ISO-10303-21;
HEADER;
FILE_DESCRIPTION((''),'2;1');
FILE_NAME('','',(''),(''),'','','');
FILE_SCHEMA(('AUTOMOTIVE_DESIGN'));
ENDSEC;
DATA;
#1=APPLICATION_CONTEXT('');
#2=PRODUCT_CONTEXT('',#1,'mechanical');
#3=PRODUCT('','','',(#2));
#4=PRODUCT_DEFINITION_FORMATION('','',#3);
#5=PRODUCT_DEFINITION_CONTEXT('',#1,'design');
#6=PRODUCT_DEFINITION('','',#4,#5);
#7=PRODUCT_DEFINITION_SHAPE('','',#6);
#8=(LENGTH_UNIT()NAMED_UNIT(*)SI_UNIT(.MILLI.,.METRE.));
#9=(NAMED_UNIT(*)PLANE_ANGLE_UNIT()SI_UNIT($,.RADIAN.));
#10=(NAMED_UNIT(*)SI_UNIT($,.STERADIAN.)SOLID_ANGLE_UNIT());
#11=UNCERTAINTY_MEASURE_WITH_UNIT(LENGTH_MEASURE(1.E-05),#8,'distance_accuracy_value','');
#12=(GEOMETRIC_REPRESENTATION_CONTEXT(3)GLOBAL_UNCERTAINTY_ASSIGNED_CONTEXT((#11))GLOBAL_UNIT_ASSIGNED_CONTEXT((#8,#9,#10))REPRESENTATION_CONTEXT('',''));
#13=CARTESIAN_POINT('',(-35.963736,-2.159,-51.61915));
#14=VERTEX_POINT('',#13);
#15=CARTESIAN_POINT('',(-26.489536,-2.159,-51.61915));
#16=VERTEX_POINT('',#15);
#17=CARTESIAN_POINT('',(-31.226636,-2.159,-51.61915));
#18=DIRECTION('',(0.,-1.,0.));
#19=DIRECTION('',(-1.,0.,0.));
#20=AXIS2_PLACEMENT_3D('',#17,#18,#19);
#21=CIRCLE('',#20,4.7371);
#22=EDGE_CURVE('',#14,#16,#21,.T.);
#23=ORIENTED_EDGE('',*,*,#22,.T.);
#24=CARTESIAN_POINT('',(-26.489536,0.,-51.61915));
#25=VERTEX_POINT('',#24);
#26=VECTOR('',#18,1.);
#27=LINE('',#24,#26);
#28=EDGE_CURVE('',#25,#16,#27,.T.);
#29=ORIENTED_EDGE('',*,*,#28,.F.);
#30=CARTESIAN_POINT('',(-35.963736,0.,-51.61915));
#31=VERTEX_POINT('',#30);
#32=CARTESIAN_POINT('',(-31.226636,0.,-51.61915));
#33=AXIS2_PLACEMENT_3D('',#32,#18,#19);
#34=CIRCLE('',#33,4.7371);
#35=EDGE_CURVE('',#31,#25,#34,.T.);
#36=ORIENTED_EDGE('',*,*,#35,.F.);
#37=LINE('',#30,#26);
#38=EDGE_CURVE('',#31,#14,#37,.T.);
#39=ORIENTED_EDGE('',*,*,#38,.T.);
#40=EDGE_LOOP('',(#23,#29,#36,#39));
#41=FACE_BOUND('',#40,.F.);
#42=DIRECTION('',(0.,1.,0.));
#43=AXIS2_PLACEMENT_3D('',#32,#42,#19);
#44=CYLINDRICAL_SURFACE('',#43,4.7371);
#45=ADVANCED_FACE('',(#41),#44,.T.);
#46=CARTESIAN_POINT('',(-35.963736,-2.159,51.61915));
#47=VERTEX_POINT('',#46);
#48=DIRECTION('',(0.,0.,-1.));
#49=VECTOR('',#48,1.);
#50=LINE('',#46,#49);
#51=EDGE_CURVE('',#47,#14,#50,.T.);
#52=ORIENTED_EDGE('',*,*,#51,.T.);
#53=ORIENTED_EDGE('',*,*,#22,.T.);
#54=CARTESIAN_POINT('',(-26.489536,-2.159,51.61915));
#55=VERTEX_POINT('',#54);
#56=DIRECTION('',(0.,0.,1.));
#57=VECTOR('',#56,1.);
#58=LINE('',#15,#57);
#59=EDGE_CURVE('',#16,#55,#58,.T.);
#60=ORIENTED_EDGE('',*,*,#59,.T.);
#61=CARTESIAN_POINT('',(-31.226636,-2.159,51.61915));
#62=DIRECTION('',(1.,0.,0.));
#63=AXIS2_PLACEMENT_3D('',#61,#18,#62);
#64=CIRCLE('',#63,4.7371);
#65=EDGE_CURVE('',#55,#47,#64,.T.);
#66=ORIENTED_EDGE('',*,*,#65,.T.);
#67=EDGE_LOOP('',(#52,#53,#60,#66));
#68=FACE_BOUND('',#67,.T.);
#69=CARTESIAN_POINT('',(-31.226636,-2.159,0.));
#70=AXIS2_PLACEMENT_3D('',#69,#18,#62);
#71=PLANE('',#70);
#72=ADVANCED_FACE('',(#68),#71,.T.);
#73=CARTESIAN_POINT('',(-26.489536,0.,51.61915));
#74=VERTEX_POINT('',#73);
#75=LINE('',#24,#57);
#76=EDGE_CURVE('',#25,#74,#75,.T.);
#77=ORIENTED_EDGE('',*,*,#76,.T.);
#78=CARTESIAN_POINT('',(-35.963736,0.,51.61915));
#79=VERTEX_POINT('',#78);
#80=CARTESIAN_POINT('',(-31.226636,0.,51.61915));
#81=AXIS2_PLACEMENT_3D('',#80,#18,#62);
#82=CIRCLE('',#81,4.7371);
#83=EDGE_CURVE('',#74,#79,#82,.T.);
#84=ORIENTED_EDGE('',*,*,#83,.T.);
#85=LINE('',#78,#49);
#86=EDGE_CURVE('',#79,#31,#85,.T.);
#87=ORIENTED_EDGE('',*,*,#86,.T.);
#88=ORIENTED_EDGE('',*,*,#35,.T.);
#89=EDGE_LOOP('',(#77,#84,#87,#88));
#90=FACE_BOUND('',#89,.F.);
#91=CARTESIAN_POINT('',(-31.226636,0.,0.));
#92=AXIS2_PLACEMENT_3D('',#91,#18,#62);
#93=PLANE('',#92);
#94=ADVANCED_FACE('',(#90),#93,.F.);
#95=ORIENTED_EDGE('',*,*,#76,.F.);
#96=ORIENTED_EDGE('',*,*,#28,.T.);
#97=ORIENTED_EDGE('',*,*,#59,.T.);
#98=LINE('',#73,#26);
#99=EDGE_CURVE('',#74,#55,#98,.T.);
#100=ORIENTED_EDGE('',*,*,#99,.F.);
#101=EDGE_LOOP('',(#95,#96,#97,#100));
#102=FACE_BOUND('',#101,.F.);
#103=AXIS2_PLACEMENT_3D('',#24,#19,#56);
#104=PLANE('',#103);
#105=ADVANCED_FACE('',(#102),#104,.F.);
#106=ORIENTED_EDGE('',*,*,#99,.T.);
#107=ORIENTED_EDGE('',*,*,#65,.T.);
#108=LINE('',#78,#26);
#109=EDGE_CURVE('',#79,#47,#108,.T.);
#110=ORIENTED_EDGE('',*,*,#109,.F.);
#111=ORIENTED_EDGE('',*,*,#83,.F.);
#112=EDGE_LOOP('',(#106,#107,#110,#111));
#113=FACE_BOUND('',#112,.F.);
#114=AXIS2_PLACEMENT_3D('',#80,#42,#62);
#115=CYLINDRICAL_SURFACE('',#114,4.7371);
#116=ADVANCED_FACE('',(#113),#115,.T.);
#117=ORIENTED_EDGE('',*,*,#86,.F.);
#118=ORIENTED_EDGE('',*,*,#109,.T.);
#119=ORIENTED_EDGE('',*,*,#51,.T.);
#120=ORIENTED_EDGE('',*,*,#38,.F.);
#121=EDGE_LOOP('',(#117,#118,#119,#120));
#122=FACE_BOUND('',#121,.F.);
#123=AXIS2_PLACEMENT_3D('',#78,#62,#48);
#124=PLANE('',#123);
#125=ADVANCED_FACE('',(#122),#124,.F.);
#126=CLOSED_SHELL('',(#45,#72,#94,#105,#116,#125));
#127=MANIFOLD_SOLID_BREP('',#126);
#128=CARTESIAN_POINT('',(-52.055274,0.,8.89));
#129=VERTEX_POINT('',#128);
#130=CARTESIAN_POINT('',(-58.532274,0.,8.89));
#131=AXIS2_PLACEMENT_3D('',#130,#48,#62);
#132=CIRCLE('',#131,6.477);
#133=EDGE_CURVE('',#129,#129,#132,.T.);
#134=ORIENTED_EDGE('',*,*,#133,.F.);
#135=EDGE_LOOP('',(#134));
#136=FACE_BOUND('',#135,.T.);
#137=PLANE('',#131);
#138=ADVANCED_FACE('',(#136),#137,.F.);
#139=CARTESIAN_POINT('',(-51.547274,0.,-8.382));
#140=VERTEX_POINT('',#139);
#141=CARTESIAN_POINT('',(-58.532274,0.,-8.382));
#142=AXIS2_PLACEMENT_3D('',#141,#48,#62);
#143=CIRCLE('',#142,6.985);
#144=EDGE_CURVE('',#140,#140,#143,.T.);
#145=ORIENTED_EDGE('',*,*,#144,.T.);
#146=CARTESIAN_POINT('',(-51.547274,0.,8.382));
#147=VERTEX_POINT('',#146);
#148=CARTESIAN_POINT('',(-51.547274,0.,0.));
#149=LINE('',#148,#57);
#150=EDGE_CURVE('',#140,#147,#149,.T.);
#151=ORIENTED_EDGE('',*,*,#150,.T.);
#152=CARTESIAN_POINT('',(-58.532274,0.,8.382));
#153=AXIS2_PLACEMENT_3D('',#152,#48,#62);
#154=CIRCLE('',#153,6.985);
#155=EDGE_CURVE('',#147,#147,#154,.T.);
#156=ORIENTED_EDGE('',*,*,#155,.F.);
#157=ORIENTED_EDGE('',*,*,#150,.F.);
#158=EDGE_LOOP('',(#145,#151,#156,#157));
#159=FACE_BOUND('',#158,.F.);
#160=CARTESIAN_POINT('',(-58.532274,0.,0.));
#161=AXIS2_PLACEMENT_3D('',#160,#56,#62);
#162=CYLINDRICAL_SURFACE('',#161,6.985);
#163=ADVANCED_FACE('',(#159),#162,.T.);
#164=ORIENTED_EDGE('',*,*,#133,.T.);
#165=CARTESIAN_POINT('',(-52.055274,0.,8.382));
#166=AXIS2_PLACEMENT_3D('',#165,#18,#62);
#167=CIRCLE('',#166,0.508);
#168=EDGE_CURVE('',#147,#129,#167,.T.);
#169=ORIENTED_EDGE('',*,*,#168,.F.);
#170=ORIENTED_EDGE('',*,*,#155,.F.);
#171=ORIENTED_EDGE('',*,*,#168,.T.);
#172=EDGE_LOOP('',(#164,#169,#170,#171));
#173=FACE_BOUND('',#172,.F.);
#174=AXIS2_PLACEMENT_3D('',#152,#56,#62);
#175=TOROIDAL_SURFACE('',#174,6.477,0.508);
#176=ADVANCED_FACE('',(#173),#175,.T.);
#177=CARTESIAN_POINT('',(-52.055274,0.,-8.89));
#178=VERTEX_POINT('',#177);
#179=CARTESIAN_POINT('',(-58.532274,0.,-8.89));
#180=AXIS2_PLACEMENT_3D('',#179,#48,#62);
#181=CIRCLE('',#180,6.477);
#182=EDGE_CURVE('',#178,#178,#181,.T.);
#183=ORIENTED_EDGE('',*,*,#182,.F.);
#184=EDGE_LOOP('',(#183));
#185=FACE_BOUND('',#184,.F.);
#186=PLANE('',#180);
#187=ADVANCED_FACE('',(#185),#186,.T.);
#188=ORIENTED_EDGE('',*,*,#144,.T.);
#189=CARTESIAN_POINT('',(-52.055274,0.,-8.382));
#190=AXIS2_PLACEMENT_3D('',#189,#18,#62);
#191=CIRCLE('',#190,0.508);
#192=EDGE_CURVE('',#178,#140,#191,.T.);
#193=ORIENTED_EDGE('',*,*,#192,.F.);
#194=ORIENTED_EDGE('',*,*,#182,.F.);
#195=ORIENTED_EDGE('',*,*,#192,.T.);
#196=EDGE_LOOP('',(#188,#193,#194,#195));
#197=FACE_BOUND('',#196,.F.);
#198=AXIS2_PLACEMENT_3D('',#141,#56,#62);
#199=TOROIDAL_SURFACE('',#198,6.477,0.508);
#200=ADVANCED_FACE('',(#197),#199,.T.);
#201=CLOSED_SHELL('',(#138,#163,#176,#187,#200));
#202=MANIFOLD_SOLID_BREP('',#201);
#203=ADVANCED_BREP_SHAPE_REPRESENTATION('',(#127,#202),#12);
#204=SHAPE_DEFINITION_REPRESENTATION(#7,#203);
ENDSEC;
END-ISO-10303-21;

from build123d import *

# Parameters (mm, degrees)
F0_W     = 6.985
F0_H     = 17.78
F2_R     = 0.508
F4_DEPTH = 2.159


with BuildPart() as f1:
    # F0 (on Front) → F1 (revolve)
    with BuildSketch(Plane.XZ):
        with Locations((-55.0397741815, 0)):
            Rectangle(F0_W, F0_H)
    revolve(axis=Axis((-58.5322741815, 0, 0), (0, 0, -1)))

    # F2
    f2_edges = [f1.edges().sort_by_distance(p)[0] for p in [
        (-65.517274, 0, 8.89),
        (-65.517274, 0, -8.89),
        (-51.547274, 0, 0),
    ]]
    fillet(f2_edges, radius=F2_R)


with BuildPart() as f4:
    # F3 (on Front) → F4 (new body)
    with BuildSketch(Plane.XZ):
        with BuildLine():
            Line((-26.4895358072, -51.61915), (-26.4895358072, 51.61915))
            ThreePointArc((-26.4895358072, 51.61915), (-31.2266358072, 56.35625), (-35.9637358072, 51.61915))
            Line((-35.9637358072, 51.61915), (-35.9637358072, -51.61915))
            ThreePointArc((-35.9637358072, -51.61915), (-31.2266358072, -56.35625), (-26.4895358072, -51.61915))
        make_face()
    extrude(amount=F4_DEPTH)


solid = Compound([f1.part, f4.part])
